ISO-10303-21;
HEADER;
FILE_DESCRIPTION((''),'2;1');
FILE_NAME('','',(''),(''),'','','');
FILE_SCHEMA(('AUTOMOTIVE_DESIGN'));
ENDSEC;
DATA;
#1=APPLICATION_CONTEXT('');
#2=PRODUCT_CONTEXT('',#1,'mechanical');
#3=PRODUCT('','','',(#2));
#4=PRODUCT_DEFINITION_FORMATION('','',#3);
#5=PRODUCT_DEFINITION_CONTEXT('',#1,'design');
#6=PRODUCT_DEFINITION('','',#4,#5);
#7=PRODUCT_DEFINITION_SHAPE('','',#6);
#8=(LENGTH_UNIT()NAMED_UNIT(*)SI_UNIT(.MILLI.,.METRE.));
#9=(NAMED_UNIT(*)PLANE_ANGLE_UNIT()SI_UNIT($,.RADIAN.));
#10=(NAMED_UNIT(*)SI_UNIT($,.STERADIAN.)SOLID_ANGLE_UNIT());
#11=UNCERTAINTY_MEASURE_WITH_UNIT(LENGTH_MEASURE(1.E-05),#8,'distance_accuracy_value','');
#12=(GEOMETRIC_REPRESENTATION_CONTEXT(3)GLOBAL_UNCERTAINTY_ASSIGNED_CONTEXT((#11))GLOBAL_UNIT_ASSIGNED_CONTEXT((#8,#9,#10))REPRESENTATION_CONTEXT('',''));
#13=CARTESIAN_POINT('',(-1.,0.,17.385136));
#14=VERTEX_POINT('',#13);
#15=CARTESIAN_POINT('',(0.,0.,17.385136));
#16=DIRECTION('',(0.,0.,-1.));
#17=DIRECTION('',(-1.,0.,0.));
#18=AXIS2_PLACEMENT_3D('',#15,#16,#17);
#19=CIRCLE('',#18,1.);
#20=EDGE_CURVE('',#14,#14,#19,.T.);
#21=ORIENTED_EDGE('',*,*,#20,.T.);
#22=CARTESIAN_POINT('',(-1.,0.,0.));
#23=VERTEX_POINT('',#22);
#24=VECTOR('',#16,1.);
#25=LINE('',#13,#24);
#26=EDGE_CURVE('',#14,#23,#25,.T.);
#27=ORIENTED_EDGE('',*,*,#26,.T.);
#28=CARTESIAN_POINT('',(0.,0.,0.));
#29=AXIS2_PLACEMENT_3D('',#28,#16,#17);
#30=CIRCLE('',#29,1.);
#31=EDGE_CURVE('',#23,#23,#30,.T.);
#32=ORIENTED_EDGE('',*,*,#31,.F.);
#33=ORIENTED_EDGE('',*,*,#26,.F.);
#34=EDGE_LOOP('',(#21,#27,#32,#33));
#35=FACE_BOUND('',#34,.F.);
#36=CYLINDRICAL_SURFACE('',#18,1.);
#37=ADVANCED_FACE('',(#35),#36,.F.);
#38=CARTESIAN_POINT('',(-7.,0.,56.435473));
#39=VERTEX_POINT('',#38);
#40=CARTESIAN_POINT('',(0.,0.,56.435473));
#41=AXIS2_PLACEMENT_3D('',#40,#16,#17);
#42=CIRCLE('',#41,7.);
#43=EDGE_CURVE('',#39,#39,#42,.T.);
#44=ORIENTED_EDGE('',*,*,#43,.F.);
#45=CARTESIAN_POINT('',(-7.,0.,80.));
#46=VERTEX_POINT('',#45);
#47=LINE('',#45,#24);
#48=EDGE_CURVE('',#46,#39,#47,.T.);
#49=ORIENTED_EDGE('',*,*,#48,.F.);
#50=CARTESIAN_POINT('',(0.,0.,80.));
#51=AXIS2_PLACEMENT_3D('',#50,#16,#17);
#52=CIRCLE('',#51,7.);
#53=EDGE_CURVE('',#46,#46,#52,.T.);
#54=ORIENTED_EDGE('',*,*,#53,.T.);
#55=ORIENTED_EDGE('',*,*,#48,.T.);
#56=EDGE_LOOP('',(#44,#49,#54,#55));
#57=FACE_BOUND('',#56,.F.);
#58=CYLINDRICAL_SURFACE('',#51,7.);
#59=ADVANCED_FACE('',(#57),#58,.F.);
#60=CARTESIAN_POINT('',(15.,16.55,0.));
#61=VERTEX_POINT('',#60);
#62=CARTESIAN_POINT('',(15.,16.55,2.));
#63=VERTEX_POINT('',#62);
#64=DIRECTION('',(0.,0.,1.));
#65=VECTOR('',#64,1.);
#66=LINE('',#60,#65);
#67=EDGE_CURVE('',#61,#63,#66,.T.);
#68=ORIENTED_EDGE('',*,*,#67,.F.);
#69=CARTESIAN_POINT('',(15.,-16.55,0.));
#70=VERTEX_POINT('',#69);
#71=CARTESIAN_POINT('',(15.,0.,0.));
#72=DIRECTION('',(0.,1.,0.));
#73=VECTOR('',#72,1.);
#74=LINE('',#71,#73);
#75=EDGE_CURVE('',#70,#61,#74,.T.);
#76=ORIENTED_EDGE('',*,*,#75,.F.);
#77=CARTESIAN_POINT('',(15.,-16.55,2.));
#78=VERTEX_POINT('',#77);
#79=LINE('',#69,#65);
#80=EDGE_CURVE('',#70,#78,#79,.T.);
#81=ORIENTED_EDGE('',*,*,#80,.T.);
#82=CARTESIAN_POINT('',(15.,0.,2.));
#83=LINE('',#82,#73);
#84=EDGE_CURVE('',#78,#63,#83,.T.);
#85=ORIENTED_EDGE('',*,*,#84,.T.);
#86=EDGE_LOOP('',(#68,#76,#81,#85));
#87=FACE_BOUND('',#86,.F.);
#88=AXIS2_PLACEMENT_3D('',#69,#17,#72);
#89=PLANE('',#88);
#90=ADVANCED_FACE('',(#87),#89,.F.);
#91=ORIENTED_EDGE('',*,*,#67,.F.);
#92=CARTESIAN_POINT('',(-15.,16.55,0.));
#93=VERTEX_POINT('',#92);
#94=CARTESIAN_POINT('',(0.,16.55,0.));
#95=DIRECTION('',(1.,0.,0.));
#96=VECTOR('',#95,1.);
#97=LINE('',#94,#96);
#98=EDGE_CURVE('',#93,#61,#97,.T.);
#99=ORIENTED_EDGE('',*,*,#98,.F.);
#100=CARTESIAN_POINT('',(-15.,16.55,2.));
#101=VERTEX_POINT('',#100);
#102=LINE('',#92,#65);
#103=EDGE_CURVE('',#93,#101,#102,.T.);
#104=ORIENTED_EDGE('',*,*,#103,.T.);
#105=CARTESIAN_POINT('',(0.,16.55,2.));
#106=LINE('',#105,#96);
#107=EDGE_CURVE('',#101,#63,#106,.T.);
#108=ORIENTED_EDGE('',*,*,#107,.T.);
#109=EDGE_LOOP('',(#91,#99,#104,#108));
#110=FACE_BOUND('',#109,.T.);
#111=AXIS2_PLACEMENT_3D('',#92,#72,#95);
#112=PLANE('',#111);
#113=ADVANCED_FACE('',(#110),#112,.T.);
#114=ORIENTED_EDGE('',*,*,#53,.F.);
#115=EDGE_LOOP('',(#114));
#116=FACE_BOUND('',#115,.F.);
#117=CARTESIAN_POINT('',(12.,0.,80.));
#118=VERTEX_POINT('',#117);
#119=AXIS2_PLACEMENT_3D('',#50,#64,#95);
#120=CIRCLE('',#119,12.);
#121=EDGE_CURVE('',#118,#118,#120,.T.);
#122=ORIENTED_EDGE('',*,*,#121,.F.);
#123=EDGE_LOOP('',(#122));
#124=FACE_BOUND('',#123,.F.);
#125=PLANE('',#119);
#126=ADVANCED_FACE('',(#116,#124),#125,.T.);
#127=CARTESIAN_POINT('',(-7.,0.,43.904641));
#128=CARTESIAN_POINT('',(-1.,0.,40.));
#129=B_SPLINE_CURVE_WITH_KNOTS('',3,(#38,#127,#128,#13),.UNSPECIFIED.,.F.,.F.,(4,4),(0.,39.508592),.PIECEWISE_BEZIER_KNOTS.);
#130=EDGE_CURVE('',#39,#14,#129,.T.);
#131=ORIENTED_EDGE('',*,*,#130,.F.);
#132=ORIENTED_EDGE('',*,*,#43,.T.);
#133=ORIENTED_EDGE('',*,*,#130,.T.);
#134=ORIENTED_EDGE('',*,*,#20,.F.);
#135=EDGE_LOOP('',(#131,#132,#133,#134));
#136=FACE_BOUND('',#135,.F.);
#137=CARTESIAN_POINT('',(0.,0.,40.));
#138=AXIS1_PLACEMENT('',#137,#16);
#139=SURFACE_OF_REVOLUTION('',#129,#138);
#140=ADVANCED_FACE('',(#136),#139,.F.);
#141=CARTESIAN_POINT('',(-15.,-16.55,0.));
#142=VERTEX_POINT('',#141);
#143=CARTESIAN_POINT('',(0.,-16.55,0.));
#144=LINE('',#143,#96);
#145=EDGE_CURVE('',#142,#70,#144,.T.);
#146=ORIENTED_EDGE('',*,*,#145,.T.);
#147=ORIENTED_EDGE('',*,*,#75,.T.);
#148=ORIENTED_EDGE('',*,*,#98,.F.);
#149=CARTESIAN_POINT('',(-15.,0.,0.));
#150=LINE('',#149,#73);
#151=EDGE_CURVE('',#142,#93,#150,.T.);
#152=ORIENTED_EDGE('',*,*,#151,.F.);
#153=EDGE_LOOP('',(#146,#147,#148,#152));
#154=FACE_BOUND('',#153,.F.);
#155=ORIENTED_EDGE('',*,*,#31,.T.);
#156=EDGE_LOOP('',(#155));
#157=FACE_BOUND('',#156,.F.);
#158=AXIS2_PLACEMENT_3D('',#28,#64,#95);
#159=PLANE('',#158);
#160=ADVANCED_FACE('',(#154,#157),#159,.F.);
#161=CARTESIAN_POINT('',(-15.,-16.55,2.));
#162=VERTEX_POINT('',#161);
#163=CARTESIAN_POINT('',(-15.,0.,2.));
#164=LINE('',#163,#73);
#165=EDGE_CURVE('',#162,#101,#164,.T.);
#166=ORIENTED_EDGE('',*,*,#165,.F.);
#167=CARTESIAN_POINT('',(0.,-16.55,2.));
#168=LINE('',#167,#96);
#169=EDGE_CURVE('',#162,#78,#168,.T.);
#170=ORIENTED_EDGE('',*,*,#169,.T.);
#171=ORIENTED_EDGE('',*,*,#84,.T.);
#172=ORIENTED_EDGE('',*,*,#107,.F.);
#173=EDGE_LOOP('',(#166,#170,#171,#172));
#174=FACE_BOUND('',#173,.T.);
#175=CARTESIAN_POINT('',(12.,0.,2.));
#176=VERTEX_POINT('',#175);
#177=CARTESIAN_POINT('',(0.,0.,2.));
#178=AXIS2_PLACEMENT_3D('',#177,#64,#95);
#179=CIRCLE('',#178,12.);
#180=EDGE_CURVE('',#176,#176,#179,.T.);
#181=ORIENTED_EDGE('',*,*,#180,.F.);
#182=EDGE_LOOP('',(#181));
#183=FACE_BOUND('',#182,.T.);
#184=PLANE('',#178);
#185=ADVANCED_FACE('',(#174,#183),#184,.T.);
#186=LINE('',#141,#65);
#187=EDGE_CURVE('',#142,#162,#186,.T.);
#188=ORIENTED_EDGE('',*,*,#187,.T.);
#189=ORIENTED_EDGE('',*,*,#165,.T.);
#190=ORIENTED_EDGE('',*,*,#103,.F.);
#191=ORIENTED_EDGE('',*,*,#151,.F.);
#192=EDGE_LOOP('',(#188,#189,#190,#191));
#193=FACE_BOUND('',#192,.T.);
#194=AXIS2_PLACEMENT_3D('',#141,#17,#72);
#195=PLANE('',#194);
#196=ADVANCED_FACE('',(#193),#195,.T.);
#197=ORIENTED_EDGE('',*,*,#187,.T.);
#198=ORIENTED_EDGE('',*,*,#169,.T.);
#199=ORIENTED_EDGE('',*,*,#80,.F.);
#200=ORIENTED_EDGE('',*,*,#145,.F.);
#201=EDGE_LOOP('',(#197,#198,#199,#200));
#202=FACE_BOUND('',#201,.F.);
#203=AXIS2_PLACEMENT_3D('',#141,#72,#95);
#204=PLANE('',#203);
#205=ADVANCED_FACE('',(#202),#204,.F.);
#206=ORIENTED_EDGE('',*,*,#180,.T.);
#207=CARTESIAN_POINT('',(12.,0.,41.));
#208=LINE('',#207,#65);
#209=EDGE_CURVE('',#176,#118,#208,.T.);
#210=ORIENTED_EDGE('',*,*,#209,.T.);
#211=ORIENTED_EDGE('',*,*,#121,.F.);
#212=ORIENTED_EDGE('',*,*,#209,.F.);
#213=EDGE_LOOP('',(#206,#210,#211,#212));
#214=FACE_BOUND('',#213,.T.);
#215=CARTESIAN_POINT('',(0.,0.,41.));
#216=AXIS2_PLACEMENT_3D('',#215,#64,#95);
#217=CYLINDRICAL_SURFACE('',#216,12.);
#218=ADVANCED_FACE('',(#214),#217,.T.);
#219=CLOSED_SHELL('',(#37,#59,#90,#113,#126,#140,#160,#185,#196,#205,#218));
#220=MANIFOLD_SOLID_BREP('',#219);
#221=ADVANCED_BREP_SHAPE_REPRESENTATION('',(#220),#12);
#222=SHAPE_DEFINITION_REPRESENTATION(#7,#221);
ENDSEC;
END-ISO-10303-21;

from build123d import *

# Parameters (mm, degrees)
F0_W     = 30
F0_H     = 33.1
F1_DEPTH = 2
F2_W     = 12
F2_H     = 78


with BuildPart() as f1:
    # F0 (on Top) → F1 (new body)
    with BuildSketch(Plane.XY):
        Rectangle(F0_W, F0_H)
    extrude(amount=F1_DEPTH)

    # F2 (on Front) → F3 (revolve)
    with BuildSketch(Plane.XZ):
        with Locations((6, 41)):
            Rectangle(F2_W, F2_H)
    revolve(axis=Axis((0, 0, 40), (0, 0, 1)))

    # F4 (on Front) → F5 (revolve, cut)
    with BuildSketch(Plane.XZ):
        with BuildLine():
            Line((0, 0), (0, 80))
            Line((0, 80), (-7, 80))
            Line((-7, 80), (-7, 56.435473))
            add(Edge.make_bspline(
                [(-7, 56.435473), (-7, 43.904641), (-1, 40), (-1, 17.385136)],
                knots=[0, 0, 0, 0, 39.508592, 39.508592, 39.508592, 39.508592], degree=3))
            Line((-1, 17.385136), (-1, 0))
            Line((-1, 0), (0, 0))
        make_face()
    revolve(axis=Axis((0, 0, 40), (0, 0, -1)), mode=Mode.SUBTRACT)


solid = f1.part
